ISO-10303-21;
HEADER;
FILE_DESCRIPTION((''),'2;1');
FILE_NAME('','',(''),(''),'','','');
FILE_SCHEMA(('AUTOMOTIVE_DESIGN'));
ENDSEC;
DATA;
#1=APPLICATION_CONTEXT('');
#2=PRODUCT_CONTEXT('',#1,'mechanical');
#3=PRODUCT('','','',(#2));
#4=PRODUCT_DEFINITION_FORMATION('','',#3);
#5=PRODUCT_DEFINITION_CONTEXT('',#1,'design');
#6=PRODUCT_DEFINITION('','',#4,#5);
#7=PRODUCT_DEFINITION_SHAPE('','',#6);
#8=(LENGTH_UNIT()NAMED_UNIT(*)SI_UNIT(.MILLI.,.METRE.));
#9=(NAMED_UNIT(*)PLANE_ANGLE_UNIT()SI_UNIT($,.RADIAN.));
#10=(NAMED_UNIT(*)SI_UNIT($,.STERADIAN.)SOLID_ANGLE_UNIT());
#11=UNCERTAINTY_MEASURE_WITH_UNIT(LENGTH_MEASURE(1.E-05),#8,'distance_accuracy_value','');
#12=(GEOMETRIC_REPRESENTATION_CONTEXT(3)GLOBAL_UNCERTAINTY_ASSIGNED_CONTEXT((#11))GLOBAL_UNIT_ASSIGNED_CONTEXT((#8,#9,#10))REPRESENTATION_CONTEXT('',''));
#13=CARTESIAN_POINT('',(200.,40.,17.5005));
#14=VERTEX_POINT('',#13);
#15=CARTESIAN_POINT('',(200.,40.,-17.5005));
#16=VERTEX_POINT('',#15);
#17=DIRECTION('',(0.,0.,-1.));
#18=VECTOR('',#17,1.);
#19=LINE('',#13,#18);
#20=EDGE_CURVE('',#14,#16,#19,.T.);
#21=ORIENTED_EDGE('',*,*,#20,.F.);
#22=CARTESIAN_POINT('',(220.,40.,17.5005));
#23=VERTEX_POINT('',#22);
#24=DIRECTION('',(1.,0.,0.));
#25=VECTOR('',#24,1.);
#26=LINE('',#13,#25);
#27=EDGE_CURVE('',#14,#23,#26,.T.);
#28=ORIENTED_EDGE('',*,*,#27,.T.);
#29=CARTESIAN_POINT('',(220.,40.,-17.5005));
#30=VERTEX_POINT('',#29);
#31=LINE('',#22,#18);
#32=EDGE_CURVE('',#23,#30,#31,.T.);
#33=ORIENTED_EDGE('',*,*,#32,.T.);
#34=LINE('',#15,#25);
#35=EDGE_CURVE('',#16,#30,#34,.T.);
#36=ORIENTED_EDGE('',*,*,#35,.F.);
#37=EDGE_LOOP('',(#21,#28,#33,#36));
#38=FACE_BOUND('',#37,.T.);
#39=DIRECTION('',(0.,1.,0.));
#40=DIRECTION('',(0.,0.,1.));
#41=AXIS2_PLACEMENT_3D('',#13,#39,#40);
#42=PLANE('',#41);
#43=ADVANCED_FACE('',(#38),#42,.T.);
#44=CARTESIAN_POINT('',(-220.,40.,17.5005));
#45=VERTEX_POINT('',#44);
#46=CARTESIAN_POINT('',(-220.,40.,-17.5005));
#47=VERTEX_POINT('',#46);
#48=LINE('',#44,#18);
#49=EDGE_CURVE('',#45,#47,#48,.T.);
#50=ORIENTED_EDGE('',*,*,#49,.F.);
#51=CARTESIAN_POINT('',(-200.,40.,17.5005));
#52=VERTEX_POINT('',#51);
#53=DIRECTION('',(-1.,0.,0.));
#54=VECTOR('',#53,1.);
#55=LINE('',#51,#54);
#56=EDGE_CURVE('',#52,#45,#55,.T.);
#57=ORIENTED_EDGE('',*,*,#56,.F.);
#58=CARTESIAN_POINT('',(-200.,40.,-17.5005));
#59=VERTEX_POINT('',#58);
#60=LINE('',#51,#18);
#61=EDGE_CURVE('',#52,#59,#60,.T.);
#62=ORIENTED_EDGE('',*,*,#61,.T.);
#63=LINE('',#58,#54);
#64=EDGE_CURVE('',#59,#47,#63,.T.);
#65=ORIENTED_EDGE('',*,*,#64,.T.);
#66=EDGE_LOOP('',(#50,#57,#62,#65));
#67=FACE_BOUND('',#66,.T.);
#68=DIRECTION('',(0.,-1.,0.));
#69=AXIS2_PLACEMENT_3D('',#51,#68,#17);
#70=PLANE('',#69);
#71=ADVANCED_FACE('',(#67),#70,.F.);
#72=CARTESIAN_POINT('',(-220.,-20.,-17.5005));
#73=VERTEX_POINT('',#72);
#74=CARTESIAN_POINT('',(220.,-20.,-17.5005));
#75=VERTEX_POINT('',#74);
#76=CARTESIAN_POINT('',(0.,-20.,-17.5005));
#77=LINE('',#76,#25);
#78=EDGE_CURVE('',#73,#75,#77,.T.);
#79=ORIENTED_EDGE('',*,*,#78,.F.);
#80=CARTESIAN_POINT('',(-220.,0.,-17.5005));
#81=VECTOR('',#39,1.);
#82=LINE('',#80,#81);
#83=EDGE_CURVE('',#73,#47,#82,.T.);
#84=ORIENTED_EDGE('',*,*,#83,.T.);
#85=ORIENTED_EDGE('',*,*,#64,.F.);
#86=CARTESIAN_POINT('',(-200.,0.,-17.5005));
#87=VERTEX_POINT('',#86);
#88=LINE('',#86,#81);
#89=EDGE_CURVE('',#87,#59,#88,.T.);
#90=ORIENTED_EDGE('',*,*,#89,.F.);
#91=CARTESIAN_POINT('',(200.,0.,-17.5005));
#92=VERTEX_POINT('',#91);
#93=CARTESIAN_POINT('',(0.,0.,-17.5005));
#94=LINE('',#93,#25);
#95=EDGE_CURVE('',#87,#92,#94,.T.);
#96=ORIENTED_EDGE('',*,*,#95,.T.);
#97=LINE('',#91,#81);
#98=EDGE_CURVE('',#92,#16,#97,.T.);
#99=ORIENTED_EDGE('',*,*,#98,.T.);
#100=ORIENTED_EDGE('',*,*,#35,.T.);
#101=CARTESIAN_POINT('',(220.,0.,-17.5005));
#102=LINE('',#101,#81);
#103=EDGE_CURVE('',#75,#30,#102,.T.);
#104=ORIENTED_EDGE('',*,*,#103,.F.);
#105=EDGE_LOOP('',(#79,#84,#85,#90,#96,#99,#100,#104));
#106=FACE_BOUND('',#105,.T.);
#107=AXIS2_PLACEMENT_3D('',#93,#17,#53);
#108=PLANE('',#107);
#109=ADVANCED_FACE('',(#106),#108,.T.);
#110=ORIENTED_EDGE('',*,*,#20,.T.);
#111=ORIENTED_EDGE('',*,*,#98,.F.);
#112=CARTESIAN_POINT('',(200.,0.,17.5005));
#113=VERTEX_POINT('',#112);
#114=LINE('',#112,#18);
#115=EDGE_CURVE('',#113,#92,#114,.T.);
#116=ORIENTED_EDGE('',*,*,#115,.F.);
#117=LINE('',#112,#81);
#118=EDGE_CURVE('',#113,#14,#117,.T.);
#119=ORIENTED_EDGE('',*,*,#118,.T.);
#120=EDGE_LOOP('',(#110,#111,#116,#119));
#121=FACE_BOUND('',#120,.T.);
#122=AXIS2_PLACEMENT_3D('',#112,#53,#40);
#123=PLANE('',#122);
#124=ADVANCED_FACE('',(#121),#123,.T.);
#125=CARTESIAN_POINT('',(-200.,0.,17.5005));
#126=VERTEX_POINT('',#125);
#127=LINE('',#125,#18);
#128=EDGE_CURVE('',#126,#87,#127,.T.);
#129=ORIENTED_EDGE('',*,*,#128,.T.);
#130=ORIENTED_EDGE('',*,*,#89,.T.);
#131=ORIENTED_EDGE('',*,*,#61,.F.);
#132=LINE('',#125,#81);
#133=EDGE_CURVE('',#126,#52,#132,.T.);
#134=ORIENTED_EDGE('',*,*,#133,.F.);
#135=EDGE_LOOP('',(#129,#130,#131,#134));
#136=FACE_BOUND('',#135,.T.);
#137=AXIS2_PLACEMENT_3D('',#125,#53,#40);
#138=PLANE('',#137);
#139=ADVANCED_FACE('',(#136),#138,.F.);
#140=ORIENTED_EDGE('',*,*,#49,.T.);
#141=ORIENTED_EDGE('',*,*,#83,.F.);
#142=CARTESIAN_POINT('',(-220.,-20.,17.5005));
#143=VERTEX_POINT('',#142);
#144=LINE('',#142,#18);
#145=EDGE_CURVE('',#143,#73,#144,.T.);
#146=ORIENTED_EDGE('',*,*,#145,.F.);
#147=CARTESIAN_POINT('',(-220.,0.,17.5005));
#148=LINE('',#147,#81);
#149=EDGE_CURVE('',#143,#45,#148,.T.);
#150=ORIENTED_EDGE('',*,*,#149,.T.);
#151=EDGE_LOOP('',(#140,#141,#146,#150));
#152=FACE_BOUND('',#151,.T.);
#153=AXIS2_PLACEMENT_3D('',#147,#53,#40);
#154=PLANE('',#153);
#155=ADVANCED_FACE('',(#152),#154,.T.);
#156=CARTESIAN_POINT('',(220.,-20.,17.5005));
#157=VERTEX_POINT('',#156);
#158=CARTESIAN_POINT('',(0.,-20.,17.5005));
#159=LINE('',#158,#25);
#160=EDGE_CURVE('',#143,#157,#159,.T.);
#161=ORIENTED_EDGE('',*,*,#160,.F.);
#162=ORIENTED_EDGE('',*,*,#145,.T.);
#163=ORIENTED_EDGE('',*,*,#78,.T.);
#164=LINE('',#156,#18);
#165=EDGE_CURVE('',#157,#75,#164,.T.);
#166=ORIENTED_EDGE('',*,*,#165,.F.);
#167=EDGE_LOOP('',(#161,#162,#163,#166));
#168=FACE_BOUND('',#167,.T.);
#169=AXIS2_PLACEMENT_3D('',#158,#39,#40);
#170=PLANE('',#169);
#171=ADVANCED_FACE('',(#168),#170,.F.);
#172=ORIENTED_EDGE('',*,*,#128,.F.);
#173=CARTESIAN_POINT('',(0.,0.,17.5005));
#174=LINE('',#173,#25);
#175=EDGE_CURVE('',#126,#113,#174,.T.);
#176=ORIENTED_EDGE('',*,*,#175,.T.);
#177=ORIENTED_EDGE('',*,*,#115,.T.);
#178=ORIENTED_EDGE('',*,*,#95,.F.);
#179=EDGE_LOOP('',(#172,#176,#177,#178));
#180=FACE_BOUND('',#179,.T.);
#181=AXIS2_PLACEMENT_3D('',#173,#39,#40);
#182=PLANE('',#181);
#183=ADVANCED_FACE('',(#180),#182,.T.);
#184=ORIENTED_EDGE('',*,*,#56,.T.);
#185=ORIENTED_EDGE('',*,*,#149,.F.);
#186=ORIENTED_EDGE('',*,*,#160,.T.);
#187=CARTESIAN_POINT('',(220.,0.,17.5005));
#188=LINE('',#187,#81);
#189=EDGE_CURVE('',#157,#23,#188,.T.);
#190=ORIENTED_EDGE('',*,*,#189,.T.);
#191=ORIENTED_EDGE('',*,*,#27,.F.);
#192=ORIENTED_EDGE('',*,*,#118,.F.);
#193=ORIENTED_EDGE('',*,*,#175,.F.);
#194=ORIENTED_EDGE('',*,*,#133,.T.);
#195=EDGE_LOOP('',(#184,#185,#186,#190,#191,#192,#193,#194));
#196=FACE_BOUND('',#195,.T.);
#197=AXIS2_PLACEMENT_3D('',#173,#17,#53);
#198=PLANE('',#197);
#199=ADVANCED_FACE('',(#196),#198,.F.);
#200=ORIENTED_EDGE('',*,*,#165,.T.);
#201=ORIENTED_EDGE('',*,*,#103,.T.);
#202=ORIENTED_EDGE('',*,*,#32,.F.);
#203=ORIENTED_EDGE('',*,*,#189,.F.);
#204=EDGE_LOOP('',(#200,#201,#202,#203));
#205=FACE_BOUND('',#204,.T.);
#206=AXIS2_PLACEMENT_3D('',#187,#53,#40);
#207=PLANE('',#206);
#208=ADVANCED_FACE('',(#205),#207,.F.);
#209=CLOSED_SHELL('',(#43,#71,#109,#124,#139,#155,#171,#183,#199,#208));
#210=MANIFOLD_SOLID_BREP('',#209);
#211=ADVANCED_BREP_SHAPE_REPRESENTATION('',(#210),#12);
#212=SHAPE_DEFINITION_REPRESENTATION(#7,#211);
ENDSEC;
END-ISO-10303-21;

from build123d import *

# Parameters (mm, degrees)
EXTRUDE_THIN1_DEPTH = 17.5005


with BuildPart() as part:
    # Sketch1 → Extrude-Thin1 (new body, symmetric)
    with BuildSketch(Plane.XY):
        Polygon((0, 0), (200, 0), (200, 40), (220, 40), (220, -20), (0, -20), align=None)
    extrude_thin1 = extrude(amount=EXTRUDE_THIN1_DEPTH, both=True)

    # Mirror1: Extrude-Thin1 across plane
    add(extrude_thin1.mirror(Plane(origin=(0, 0, 0), x_dir=(0, 0, 1), z_dir=(1, 0, 0))))


solid = part.part
